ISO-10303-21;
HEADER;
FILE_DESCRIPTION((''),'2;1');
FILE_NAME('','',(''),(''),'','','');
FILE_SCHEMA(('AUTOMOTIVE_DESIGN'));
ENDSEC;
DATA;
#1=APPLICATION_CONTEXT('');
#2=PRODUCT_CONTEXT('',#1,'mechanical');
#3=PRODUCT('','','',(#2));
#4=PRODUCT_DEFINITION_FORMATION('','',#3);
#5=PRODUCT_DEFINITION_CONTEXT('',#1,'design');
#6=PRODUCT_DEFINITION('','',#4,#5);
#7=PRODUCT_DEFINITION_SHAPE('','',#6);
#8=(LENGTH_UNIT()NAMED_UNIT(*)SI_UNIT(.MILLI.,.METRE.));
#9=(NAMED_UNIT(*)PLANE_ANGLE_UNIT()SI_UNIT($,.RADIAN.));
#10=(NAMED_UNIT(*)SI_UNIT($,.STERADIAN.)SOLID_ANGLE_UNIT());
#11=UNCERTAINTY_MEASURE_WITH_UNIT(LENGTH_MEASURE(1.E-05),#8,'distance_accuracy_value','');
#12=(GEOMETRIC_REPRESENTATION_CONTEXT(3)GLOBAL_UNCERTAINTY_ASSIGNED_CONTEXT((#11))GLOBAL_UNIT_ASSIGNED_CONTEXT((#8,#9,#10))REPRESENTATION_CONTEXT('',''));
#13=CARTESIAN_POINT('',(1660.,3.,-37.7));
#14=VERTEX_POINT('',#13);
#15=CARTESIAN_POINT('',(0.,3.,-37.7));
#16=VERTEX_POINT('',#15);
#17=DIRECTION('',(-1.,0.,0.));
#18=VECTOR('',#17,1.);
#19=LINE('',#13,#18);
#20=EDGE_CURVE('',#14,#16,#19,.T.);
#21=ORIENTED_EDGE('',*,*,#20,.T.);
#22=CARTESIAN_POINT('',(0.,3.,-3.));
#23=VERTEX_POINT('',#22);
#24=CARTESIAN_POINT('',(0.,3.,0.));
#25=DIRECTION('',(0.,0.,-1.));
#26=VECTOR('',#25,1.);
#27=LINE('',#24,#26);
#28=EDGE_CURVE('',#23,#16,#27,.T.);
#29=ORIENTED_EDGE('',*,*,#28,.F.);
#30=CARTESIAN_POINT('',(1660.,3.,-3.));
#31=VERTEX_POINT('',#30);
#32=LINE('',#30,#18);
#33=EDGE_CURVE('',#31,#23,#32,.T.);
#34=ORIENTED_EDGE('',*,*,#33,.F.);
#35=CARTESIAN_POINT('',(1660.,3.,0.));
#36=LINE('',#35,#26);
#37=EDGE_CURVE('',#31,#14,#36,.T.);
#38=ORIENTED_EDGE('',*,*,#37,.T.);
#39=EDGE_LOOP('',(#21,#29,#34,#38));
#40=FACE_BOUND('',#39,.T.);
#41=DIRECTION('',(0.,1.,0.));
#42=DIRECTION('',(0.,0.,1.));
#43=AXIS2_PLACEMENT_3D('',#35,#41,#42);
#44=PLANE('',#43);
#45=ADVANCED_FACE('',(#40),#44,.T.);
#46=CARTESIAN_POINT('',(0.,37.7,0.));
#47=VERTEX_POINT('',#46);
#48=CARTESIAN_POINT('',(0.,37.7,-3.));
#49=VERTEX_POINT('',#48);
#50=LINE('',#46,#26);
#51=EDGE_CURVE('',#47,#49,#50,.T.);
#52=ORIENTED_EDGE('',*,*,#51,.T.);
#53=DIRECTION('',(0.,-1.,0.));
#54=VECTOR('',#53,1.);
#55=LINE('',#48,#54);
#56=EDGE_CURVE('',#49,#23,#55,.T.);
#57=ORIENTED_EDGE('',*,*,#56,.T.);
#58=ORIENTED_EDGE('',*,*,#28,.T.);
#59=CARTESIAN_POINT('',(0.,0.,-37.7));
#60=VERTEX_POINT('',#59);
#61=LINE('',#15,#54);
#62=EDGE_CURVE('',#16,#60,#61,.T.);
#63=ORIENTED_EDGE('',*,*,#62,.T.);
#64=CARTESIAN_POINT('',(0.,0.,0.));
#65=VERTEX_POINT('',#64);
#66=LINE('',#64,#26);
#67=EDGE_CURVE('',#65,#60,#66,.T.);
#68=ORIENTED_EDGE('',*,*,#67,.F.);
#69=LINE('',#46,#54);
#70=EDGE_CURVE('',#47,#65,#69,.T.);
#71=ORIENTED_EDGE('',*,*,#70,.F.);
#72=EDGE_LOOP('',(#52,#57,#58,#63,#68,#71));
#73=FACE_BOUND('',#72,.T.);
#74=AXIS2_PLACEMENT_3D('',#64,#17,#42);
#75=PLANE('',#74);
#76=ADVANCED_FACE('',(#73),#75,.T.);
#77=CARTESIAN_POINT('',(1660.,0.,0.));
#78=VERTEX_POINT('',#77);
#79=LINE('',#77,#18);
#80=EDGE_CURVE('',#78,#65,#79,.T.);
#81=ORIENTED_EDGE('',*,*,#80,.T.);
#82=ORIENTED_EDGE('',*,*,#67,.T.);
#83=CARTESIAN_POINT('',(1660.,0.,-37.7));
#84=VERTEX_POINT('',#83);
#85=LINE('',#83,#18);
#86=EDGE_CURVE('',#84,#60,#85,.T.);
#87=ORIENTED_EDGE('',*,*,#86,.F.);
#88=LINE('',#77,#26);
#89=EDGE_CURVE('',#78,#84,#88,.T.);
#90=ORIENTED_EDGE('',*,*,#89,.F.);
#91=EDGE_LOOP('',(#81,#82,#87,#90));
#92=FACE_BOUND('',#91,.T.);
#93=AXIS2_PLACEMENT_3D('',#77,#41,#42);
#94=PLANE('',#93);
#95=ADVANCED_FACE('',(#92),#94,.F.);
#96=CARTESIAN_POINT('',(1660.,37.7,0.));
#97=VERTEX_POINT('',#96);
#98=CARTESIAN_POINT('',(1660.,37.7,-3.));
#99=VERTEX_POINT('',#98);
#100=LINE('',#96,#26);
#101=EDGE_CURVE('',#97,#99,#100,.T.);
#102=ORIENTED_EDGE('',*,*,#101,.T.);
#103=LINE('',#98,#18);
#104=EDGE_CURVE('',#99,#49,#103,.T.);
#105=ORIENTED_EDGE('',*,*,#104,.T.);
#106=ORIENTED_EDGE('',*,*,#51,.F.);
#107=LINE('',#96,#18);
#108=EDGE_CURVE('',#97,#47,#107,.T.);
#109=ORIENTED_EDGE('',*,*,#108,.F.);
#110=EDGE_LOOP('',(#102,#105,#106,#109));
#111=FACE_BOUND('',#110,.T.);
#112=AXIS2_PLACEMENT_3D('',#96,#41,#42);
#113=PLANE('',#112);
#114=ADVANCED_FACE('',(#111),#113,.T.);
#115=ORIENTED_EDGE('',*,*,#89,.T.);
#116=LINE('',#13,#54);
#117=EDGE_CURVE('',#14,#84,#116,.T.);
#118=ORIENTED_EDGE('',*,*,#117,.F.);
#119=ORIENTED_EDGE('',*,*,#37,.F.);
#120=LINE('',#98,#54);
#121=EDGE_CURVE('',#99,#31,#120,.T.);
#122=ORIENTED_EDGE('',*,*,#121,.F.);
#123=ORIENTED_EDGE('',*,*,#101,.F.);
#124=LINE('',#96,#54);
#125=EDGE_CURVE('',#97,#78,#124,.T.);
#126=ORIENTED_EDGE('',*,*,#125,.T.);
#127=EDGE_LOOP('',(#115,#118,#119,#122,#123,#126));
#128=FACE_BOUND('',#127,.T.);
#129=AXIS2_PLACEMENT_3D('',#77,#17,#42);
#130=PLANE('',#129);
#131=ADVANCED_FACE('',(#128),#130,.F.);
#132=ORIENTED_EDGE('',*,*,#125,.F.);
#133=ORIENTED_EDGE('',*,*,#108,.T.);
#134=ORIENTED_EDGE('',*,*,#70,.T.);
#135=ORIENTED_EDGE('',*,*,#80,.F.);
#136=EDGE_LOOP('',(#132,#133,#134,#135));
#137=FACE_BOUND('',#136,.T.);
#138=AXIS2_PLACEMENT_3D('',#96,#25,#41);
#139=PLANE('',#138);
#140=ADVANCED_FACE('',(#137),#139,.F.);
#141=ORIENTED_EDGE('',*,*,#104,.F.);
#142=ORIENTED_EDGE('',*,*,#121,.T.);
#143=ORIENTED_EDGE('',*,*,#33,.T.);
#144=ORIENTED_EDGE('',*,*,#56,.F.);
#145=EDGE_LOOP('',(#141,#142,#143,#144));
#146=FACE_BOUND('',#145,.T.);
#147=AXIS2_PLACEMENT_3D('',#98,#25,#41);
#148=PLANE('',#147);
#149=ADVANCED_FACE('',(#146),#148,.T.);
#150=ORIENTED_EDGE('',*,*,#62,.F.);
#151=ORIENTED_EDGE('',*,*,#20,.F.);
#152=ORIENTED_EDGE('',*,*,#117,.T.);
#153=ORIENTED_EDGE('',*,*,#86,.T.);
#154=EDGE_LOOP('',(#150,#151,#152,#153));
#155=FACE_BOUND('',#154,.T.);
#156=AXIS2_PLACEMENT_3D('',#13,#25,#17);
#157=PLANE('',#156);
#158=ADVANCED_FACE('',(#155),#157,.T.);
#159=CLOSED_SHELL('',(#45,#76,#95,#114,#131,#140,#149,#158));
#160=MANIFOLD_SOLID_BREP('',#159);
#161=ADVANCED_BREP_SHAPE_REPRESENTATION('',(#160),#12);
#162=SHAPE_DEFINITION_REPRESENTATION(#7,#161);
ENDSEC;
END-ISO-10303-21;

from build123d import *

# Parameters (mm, degrees)
EXTRUDE_1_DEPTH = 1660


with BuildPart() as part:
    # Эскиз1 → Вытянуть-Тонкостенный1 (new body)
    with BuildSketch(Plane(origin=(0, 0, 0), x_dir=(0, 0, -1), z_dir=(1, 0, 0))):
        Polygon((0, 37.7), (0, 0), (37.7, 0), (37.7, 3), (3, 3), (3, 37.7), align=None)
    extrude(amount=EXTRUDE_1_DEPTH)


solid = part.part
